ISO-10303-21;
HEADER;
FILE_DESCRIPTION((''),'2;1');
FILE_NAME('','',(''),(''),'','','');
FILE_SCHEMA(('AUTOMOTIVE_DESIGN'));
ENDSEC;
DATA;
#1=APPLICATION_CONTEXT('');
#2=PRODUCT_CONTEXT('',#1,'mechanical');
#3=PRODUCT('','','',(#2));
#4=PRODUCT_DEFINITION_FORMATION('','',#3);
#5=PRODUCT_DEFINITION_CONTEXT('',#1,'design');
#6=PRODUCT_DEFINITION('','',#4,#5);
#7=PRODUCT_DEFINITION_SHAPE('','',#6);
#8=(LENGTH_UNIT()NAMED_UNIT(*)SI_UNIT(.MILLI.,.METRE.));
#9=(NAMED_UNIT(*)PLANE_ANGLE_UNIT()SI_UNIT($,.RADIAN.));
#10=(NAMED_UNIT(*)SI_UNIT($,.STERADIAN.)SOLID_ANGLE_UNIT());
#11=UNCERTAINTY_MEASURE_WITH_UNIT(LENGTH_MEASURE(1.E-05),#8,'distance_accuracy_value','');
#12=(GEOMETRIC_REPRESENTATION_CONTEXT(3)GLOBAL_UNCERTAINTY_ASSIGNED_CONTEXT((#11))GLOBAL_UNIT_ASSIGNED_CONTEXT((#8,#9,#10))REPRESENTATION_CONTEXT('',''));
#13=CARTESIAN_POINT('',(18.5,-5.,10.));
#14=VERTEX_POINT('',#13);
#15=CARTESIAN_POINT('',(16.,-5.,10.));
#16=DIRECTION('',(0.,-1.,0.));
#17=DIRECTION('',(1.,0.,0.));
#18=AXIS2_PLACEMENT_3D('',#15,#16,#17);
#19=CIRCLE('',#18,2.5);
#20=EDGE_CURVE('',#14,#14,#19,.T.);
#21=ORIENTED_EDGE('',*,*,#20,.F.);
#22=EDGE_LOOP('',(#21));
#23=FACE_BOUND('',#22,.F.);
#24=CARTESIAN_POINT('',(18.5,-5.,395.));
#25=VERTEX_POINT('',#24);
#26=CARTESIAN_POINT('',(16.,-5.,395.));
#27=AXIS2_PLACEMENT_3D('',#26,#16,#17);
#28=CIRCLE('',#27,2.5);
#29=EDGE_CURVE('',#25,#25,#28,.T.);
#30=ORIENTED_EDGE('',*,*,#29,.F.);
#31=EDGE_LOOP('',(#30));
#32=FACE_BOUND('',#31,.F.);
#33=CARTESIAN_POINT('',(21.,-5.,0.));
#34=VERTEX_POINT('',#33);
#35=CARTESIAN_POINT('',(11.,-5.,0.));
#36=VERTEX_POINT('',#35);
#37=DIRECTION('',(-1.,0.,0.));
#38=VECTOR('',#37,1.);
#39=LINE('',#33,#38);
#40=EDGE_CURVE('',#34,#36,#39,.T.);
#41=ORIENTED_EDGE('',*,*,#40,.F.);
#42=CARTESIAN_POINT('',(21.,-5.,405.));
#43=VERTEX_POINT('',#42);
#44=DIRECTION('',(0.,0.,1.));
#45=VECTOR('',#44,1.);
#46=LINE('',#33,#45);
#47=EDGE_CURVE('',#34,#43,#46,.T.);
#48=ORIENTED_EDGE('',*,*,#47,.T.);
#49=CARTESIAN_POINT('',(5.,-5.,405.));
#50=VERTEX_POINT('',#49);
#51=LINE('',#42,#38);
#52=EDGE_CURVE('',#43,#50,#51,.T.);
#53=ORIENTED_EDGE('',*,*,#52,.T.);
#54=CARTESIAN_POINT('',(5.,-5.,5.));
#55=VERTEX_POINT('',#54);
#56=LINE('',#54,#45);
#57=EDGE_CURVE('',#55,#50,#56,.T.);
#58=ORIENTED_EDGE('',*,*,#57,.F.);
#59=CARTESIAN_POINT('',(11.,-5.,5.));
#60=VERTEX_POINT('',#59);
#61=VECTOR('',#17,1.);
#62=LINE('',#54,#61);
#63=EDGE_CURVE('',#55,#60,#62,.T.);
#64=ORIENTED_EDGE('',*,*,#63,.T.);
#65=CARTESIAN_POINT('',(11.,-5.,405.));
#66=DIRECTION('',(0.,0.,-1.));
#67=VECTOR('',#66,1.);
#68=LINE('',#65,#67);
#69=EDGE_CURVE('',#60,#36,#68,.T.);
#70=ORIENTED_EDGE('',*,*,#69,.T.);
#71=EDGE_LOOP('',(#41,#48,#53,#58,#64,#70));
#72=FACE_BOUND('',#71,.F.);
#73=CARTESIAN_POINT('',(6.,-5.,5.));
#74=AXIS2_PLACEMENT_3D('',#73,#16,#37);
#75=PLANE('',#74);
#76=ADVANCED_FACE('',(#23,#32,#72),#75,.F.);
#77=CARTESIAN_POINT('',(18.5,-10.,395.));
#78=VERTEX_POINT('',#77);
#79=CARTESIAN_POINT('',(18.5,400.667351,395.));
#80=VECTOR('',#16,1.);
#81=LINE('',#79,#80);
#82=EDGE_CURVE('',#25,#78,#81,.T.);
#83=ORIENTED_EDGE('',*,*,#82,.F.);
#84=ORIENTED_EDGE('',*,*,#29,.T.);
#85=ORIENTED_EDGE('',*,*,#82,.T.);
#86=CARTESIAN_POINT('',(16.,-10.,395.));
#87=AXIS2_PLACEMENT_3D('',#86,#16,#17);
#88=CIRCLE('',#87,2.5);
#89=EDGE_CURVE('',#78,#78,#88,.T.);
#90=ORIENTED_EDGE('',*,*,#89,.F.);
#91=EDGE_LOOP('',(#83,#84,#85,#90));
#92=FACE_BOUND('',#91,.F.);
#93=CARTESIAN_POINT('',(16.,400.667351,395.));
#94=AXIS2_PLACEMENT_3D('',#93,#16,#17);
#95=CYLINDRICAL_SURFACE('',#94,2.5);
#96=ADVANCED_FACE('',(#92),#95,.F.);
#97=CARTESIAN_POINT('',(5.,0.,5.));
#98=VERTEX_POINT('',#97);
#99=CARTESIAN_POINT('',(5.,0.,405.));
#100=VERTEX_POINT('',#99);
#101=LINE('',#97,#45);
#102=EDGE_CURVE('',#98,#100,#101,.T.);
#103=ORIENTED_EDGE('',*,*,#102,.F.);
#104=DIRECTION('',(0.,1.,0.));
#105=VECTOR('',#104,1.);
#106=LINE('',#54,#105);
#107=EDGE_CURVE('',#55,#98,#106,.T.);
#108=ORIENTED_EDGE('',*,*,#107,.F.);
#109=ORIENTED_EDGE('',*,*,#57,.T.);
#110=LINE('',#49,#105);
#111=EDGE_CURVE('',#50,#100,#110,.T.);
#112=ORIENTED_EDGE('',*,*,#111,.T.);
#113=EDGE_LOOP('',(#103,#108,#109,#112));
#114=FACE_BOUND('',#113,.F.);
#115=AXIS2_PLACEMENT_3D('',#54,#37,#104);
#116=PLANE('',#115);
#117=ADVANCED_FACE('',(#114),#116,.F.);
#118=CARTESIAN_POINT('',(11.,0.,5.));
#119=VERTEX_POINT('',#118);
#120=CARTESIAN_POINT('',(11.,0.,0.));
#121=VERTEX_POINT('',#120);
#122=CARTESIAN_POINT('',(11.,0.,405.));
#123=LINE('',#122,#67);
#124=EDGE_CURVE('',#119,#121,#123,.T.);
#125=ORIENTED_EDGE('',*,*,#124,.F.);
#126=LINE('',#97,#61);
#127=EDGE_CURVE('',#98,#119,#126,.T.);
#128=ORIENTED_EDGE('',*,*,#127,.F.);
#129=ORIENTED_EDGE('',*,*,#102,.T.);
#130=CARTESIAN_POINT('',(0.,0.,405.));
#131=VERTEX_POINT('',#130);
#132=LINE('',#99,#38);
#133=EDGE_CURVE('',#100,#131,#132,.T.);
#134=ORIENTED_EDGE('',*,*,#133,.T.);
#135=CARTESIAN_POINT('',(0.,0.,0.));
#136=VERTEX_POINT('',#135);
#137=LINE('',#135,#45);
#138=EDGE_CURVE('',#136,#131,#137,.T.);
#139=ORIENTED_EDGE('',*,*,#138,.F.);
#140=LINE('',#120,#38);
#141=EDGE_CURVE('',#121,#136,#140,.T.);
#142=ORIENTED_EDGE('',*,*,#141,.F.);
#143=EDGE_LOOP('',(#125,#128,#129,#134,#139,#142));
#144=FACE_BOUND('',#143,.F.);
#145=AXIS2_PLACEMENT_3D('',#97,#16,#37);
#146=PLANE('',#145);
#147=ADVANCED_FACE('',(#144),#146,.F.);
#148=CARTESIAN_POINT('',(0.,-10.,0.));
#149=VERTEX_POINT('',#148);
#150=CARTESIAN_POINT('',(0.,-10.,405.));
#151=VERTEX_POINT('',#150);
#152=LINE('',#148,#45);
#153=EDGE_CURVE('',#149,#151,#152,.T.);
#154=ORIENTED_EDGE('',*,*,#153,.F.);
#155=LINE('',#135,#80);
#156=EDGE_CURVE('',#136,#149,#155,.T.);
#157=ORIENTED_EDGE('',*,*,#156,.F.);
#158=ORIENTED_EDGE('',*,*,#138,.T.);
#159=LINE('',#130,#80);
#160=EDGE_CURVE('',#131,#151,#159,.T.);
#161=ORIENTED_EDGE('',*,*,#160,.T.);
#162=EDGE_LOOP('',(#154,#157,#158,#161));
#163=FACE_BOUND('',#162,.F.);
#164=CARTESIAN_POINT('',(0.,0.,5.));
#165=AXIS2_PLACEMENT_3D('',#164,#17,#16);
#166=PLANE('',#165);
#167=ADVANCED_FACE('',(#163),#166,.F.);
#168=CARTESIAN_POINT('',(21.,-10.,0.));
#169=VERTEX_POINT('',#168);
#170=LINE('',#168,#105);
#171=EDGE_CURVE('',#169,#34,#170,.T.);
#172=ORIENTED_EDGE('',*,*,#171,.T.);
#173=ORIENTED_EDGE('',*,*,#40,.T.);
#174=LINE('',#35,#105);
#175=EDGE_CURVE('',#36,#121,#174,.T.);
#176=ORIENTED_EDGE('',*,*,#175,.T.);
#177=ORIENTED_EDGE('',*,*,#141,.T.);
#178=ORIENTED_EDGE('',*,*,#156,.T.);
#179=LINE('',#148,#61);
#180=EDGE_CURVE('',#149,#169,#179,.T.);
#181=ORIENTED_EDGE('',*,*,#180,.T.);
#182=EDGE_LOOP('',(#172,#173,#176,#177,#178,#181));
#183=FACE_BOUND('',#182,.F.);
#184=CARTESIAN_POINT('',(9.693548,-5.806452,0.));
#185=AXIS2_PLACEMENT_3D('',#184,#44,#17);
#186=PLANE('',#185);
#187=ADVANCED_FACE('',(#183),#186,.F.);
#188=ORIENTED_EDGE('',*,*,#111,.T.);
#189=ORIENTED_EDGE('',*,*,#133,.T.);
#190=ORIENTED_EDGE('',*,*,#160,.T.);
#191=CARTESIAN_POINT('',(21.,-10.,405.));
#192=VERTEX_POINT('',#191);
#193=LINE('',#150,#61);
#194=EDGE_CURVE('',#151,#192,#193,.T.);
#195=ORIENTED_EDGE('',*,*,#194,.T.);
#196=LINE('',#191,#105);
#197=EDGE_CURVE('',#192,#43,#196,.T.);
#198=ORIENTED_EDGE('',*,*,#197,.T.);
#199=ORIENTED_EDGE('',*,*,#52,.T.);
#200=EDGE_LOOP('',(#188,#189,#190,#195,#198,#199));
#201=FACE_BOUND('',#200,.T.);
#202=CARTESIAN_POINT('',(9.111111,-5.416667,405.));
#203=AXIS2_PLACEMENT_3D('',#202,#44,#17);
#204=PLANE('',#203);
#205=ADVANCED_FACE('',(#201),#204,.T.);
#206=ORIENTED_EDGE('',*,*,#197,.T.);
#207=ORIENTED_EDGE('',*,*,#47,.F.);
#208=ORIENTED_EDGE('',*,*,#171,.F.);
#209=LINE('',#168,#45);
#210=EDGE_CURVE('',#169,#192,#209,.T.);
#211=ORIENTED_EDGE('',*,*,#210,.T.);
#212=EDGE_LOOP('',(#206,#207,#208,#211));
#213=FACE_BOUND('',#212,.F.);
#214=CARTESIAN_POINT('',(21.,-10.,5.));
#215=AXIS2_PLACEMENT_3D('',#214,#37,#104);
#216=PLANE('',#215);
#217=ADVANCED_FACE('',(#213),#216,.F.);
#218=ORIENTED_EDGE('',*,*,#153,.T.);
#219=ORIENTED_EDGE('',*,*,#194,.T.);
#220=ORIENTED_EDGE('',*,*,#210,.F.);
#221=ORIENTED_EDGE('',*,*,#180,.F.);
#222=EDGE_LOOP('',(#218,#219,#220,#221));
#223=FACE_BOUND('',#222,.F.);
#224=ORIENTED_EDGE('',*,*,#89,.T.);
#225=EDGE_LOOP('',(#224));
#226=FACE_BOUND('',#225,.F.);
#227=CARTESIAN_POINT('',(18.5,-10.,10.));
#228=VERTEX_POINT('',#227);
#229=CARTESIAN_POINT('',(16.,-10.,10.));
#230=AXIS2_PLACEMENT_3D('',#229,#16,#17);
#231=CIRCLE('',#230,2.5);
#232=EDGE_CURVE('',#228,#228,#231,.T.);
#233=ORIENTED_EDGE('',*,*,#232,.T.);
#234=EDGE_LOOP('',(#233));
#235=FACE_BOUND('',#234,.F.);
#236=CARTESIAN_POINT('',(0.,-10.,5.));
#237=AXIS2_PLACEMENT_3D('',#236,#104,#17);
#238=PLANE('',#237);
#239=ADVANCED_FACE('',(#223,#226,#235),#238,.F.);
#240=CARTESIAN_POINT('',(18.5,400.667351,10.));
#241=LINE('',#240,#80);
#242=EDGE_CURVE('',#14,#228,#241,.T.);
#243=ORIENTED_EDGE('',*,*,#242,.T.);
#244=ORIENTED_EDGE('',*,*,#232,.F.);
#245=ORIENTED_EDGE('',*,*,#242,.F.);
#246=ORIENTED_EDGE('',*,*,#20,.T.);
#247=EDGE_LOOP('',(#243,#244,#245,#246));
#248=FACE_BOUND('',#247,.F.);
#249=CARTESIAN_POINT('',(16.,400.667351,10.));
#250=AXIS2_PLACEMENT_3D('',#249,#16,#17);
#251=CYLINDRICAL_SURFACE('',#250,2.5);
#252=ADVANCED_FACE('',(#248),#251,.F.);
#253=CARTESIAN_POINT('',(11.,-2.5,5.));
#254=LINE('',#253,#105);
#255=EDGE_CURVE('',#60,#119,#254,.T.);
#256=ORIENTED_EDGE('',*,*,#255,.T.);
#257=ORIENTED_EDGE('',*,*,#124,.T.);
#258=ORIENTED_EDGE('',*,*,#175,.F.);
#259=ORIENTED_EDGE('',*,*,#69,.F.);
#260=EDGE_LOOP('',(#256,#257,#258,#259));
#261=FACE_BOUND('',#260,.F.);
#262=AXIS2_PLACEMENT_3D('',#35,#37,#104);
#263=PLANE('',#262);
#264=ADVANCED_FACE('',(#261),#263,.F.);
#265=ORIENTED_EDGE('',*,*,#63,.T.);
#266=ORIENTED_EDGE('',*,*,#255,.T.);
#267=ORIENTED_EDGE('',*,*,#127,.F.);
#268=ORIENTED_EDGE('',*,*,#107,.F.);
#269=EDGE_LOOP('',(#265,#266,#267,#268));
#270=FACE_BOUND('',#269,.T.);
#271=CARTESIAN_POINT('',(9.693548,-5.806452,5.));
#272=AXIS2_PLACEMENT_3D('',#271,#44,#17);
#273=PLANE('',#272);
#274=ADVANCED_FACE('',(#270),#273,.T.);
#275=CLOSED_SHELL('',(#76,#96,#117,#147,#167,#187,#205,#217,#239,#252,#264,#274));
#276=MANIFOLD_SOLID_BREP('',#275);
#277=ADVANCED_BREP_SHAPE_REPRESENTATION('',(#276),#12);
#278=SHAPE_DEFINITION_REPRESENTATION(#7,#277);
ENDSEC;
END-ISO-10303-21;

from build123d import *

# Parameters (mm, degrees)
F1_DEPTH = 5
F3_DEPTH = 400
F5_D     = 5
F7_D     = 5
F8_W     = 5
F8_H     = 5
F9_DEPTH = 400


with BuildPart() as f1:
    # F0 (on Top) → F1 (new body)
    with BuildSketch(Plane.XY):
        Polygon((5, 0), (0, 0), (0, -10), (21, -10), (21, -5), (11, -5), (11, 0), (6, 0), align=None)
    extrude(amount=F1_DEPTH)

    # F2 (on face) → F3 (join)
    with BuildSketch(Plane.XY.offset(5)):
        Polygon((5, 0), (0, 0), (0, -10), (21, -10), (21, -5), (11, -5), (11, 0), (6, 0), (6, -5), (5, -5), align=None)
    extrude(amount=F3_DEPTH)

    # F5 (through all)
    with Locations(Plane(origin=(0, -5, 0), x_dir=(-1, 0, 0), z_dir=(0, 1, 0))):
        with Locations((-16, 10)):
            Hole(F5_D / 2)

    # F7 (through all)
    with Locations(Plane(origin=(0, -5, 0), x_dir=(-1, 0, 0), z_dir=(0, 1, 0))):
        with Locations((-16, 395)):
            Hole(F7_D / 2)

    # F8 (on face) → F9 (cut)
    with BuildSketch(Plane.XY.offset(405)):
        with Locations((8.5, -2.5)):
            Rectangle(F8_W, F8_H)
    extrude(amount=-F9_DEPTH, mode=Mode.SUBTRACT)


solid = f1.part
